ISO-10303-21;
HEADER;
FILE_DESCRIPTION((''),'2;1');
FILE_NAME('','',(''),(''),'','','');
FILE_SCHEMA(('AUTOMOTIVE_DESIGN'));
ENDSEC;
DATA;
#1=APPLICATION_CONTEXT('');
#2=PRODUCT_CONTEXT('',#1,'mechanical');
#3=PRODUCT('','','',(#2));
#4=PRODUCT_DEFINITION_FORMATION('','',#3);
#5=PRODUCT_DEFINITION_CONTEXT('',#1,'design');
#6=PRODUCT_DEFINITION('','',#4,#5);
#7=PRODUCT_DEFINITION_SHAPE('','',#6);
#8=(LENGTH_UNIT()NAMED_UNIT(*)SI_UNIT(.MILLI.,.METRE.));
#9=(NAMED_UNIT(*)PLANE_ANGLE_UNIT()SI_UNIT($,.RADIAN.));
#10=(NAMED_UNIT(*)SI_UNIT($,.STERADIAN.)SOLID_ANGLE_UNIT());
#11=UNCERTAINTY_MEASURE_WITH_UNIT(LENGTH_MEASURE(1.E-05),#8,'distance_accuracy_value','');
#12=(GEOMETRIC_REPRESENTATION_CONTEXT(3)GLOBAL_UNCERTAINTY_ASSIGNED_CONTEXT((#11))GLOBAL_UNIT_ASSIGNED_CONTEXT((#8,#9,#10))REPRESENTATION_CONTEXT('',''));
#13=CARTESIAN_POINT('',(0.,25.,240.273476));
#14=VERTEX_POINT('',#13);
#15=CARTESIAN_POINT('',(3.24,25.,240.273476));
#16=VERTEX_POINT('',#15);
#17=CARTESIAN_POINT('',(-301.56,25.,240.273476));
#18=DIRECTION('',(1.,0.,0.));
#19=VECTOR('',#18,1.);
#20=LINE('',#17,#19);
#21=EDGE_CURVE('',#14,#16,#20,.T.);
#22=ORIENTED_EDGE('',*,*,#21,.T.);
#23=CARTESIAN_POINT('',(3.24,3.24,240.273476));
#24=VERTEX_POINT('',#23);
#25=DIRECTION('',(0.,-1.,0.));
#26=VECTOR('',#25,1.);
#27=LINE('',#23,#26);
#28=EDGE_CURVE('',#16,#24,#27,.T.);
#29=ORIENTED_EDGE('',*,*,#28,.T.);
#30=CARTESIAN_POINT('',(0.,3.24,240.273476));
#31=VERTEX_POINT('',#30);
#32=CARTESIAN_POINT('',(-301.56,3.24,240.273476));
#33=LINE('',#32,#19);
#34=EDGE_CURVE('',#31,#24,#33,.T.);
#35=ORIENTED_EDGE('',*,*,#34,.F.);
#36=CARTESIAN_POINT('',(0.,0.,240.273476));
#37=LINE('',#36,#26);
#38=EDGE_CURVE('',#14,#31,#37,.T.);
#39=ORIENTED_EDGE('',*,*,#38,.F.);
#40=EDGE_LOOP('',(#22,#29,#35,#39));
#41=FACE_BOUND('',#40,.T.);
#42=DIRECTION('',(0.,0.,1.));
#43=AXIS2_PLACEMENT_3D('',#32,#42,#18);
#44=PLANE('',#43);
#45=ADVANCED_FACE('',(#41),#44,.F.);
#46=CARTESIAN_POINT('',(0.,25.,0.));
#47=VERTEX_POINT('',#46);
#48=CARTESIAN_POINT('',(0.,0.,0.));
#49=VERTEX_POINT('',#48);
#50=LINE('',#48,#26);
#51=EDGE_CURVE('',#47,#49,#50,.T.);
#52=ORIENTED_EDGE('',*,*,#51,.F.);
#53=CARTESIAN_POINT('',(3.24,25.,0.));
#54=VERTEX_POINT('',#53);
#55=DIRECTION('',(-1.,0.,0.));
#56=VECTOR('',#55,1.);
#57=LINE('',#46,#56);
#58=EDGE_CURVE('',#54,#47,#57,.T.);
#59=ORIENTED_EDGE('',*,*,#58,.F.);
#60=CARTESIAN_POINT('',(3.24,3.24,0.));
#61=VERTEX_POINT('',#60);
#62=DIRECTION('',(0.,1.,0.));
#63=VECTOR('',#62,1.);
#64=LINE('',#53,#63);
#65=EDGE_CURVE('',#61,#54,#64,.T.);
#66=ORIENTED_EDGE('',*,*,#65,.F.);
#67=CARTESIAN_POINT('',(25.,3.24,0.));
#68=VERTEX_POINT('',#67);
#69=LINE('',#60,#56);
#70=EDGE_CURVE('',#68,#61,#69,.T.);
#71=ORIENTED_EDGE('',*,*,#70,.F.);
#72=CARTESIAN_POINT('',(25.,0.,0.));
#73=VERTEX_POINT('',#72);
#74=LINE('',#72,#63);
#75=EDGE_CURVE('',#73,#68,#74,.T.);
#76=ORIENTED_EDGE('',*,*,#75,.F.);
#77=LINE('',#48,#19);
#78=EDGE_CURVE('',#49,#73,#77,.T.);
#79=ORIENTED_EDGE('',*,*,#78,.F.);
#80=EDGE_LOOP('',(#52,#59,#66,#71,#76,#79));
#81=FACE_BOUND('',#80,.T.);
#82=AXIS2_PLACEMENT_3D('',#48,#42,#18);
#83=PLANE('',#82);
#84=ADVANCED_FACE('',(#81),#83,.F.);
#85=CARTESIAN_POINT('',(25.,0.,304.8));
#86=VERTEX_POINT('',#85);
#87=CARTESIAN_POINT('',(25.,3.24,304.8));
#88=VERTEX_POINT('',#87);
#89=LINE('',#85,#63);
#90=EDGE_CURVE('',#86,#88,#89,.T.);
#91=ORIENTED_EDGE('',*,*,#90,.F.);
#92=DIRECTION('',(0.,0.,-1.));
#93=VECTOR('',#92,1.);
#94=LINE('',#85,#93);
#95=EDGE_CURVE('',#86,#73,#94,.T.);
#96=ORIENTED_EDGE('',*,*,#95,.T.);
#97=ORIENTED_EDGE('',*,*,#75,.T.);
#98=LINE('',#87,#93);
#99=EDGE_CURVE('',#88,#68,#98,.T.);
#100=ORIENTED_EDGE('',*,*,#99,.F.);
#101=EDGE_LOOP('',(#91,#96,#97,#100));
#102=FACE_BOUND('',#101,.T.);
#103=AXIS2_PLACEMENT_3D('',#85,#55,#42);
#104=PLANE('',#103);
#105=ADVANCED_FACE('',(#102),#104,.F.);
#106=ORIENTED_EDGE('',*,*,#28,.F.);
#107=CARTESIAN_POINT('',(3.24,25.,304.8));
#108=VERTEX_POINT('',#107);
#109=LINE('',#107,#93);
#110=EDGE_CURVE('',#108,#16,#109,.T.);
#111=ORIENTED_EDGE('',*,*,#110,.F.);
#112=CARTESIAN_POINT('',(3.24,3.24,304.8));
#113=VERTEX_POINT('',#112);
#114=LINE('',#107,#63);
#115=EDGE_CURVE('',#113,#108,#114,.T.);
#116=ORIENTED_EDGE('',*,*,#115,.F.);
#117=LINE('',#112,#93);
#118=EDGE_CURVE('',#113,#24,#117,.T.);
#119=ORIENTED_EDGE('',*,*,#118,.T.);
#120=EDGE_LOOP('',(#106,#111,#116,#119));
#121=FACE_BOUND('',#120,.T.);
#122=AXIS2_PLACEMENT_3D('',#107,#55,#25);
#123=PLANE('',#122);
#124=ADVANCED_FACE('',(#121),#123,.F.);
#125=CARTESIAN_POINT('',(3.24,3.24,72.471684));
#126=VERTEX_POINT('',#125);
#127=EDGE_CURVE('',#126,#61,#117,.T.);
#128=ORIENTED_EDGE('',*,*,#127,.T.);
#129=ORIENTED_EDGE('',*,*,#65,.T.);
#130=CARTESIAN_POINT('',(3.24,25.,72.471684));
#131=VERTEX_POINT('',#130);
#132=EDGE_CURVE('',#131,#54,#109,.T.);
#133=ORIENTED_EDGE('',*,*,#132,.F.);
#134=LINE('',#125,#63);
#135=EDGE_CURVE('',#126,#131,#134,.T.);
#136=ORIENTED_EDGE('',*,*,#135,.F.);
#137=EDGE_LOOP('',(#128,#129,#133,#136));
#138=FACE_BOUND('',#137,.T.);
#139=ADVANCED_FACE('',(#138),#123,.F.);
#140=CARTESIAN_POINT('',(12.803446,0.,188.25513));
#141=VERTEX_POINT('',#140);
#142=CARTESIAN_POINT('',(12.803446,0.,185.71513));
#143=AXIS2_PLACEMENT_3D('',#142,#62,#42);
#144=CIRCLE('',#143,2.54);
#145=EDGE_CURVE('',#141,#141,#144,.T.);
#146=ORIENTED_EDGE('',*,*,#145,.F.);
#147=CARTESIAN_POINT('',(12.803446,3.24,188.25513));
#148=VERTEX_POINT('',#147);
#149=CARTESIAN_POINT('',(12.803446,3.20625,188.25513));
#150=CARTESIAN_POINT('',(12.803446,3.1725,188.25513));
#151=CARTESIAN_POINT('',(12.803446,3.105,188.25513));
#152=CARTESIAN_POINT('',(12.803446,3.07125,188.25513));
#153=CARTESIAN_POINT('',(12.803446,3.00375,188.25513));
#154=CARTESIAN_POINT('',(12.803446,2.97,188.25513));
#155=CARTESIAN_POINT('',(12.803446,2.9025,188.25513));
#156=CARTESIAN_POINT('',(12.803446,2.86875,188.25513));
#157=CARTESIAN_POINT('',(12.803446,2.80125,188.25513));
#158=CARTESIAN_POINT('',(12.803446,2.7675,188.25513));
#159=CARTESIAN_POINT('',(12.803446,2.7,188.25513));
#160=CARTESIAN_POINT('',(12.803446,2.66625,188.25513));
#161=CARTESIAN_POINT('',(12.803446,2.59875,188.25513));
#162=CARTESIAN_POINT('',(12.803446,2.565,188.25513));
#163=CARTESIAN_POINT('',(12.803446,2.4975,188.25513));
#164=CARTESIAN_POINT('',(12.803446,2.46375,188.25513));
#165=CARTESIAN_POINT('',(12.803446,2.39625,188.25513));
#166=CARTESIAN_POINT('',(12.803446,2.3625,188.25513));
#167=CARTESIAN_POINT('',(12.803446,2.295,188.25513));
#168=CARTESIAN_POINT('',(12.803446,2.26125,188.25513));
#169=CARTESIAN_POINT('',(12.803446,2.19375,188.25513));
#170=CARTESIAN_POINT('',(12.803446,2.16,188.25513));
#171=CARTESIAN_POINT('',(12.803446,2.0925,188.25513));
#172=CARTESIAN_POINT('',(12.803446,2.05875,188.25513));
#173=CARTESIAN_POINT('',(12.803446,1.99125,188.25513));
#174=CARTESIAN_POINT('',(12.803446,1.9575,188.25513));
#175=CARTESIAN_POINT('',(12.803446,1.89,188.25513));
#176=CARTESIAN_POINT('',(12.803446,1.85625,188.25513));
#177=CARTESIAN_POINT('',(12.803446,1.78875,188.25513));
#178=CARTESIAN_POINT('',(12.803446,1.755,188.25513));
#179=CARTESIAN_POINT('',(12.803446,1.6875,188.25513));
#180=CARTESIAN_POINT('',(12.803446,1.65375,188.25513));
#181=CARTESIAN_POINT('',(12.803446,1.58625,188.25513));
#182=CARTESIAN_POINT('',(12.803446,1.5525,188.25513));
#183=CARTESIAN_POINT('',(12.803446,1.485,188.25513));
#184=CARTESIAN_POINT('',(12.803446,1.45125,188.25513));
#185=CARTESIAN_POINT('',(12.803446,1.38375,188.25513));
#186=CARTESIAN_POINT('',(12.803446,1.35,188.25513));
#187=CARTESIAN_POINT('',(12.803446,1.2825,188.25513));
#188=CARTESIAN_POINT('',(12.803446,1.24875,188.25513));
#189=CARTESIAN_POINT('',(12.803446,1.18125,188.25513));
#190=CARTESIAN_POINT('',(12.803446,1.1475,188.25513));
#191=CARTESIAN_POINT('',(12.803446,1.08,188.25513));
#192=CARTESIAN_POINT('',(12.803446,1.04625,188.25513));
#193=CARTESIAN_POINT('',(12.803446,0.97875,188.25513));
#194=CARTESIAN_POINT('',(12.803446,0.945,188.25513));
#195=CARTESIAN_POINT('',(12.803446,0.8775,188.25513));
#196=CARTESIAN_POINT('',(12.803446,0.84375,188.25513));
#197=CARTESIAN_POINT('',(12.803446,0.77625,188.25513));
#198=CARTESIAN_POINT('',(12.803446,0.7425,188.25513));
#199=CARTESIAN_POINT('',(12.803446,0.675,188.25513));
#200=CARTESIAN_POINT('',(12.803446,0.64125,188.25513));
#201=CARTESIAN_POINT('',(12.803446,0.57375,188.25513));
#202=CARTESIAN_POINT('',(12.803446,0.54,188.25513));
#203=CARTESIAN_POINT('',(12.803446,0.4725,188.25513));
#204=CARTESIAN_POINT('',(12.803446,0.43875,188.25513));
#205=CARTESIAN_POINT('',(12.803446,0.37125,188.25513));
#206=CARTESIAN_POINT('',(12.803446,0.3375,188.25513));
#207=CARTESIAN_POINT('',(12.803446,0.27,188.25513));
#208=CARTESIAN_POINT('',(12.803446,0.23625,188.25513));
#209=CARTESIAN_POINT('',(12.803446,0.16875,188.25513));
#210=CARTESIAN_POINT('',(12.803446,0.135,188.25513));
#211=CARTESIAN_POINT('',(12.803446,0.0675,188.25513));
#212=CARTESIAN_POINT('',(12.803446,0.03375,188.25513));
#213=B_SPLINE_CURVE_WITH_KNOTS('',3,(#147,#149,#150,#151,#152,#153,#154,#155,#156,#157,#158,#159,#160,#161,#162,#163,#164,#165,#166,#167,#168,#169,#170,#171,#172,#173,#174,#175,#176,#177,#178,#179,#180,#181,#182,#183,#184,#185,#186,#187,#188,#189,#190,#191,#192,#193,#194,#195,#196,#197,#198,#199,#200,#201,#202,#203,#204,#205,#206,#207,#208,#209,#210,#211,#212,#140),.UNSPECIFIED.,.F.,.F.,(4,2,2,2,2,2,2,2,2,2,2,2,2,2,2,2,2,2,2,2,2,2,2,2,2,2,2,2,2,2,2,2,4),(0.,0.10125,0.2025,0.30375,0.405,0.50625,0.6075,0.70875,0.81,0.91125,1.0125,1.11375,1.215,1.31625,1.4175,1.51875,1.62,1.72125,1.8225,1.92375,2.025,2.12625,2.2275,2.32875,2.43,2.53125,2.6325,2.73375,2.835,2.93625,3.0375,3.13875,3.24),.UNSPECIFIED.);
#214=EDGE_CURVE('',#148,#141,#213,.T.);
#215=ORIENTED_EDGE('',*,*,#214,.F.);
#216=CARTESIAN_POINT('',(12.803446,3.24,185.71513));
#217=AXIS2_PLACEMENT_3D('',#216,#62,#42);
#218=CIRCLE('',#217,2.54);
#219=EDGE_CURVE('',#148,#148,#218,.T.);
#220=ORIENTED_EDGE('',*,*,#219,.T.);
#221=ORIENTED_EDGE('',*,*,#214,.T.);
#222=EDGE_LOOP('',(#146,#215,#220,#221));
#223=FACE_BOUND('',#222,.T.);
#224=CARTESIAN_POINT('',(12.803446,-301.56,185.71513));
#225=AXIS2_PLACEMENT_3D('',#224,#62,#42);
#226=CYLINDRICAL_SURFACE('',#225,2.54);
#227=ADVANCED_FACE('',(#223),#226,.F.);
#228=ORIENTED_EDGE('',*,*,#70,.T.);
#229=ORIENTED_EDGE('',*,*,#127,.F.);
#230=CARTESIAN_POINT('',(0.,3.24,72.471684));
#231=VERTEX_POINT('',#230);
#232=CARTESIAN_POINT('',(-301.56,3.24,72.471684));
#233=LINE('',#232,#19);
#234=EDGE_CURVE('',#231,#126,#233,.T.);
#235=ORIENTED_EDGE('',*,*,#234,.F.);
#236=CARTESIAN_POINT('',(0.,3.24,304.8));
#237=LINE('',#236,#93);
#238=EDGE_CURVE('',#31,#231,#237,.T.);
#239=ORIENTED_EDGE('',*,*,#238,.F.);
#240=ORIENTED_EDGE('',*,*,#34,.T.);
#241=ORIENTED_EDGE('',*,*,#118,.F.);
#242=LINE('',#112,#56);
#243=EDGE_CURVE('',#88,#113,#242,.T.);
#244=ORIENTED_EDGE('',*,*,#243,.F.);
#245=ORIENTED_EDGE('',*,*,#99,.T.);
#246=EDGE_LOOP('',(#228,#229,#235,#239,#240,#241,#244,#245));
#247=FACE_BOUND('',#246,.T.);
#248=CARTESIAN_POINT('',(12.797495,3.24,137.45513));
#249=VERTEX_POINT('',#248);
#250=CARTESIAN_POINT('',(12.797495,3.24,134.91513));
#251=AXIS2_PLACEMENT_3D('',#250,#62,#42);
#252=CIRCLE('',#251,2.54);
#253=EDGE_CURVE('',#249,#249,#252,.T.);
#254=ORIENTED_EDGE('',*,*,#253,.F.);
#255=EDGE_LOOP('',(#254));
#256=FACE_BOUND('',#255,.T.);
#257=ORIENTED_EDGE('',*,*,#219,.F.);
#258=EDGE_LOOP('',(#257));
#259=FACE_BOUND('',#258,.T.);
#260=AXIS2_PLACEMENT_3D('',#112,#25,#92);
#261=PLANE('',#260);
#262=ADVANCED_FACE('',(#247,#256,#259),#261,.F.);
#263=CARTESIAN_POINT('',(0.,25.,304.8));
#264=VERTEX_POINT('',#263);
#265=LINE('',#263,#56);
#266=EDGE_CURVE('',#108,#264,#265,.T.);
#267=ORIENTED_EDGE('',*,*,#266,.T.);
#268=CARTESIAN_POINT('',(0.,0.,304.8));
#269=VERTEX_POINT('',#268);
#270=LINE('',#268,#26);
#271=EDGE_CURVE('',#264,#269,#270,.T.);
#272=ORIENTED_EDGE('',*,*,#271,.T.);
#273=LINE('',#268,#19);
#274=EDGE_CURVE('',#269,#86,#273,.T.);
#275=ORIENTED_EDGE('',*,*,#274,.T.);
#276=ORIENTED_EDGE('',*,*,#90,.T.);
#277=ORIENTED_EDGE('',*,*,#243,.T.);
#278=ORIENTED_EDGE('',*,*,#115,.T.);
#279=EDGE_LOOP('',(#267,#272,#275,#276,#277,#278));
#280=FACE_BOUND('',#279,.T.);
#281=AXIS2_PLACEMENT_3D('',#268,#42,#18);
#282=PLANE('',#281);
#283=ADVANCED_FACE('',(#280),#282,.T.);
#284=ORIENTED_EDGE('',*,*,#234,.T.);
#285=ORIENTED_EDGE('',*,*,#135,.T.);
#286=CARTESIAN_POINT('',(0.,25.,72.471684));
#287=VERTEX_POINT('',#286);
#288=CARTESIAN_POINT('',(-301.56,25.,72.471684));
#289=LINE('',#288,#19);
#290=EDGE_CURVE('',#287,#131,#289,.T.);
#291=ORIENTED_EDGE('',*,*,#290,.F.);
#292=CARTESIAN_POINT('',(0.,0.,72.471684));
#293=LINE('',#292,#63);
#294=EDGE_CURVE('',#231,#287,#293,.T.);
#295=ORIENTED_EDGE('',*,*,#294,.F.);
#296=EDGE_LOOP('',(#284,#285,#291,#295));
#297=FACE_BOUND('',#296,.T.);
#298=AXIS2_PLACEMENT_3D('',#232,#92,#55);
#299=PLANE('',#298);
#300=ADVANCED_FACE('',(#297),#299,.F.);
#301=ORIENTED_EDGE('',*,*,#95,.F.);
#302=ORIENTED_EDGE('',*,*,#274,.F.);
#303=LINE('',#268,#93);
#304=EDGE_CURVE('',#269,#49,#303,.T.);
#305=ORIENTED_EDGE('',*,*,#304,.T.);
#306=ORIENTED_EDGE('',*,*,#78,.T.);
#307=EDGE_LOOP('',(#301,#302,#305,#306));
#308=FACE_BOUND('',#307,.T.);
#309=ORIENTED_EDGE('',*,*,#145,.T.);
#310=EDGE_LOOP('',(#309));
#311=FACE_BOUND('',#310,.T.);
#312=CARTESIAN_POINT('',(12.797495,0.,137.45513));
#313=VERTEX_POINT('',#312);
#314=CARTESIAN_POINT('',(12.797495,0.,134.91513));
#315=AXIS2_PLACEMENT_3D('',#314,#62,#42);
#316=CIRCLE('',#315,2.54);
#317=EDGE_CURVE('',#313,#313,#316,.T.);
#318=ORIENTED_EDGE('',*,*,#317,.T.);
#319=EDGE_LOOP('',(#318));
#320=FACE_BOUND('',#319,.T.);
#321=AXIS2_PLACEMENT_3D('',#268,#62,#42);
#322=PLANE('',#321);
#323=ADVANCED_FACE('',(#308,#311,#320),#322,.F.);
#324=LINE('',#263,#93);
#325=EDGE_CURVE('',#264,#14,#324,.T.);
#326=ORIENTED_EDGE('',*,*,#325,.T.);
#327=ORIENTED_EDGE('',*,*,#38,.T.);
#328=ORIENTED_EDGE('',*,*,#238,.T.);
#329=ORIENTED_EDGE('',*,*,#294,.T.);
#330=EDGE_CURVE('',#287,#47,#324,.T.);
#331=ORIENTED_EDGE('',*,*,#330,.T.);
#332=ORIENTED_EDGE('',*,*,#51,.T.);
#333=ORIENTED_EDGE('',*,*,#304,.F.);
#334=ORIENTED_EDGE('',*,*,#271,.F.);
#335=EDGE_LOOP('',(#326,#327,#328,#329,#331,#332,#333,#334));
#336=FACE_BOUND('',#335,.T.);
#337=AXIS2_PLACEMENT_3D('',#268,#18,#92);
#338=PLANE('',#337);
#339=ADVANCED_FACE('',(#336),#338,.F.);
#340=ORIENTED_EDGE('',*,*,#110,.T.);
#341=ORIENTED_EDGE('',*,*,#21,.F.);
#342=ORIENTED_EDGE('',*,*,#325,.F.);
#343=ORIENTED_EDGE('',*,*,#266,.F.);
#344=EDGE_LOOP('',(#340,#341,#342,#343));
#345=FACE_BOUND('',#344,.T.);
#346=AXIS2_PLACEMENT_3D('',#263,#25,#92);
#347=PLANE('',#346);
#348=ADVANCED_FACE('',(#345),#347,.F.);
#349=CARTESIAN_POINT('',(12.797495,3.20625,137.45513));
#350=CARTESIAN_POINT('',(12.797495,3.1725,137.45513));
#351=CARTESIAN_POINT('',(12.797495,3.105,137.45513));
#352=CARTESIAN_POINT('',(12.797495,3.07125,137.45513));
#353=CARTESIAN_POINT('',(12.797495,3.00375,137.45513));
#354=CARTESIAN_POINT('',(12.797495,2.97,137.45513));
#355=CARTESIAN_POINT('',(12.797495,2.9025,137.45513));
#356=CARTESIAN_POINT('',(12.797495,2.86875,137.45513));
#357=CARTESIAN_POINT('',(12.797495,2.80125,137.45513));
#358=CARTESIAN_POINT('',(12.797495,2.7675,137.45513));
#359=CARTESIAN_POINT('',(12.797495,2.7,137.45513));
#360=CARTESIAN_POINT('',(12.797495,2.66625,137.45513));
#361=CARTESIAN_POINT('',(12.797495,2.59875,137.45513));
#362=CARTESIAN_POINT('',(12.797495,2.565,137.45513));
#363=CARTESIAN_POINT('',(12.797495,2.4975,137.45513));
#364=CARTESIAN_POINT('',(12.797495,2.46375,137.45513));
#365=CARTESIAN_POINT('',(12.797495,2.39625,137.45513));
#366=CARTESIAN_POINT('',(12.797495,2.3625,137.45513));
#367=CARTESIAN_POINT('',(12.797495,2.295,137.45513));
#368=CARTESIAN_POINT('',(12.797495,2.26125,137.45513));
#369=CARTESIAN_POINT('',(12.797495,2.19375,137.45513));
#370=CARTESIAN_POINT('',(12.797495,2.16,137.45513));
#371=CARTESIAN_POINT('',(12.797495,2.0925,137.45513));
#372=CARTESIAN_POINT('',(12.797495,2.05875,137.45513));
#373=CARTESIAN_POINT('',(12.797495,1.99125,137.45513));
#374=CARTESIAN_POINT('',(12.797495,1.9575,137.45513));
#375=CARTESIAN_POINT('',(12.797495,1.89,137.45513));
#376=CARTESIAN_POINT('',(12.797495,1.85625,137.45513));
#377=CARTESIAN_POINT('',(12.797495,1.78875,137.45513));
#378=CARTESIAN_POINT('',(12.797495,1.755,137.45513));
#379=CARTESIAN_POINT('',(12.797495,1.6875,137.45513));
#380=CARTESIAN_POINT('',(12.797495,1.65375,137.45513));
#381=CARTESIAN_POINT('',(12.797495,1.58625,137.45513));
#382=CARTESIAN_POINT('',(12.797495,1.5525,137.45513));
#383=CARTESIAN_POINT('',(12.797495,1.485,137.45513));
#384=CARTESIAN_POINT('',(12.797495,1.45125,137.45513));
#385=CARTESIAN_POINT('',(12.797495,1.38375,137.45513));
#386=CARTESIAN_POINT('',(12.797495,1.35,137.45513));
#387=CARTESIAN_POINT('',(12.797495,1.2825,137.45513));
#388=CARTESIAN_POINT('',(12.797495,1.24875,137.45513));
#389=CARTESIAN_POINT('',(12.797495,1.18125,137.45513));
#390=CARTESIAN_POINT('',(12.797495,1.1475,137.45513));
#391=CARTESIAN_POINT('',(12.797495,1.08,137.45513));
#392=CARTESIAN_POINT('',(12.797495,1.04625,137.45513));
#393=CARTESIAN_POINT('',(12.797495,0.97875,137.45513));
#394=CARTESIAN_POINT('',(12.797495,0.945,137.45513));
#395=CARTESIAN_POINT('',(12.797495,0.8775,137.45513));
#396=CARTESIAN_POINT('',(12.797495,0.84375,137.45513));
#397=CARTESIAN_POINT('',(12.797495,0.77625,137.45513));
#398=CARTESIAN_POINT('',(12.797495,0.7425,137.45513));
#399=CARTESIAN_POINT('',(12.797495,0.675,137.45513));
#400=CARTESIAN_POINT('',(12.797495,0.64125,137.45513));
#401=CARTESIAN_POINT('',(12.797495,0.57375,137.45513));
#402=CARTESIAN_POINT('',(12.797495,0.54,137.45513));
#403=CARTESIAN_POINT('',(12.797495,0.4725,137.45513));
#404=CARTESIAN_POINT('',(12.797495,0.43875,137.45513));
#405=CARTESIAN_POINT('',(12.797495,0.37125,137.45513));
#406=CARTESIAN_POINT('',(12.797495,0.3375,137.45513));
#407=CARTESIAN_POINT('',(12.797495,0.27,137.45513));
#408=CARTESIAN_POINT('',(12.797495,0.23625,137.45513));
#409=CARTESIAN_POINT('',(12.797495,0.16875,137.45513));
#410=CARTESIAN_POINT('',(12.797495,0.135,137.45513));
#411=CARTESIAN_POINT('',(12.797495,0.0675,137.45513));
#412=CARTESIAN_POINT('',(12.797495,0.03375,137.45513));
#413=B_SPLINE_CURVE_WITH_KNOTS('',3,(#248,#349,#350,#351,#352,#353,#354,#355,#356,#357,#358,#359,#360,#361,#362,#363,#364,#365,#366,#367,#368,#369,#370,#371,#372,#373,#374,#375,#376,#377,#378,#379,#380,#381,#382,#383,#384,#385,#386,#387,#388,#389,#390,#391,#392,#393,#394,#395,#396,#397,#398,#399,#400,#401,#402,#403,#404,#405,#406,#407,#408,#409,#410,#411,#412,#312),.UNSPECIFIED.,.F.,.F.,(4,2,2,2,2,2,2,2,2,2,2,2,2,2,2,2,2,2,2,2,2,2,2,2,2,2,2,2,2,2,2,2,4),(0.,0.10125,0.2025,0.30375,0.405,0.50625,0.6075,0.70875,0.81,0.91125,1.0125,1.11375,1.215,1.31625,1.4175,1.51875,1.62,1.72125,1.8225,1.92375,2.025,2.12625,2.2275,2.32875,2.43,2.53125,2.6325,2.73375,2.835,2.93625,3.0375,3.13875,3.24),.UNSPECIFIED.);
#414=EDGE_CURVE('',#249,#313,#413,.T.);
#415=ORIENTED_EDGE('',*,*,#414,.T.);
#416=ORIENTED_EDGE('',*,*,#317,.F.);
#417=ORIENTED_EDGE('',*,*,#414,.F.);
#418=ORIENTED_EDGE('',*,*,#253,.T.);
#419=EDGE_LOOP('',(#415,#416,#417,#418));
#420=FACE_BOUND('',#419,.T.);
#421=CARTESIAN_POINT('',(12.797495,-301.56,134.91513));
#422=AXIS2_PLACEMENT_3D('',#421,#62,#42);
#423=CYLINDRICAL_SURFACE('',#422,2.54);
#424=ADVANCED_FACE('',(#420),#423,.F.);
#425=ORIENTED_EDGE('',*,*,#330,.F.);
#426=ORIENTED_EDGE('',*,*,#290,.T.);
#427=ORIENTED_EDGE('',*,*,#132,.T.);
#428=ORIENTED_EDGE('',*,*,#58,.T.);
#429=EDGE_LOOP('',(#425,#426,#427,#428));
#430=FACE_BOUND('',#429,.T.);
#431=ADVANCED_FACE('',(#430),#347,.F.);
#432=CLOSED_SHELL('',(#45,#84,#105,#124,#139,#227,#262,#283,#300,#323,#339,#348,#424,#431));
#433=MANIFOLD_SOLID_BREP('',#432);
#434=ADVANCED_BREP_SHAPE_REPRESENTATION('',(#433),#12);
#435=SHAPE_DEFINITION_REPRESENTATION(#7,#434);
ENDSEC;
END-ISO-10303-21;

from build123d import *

# Parameters (mm, degrees)
EXTRUDE_1_DEPTH     = 304.8
SKETCH_2_W          = 167.801792078
SKETCH_2_H          = 21.76
CUT_EXTRUDE_1_DEPTH = 304.8
SKETCH_4_R          = 2.54
CUT_EXTRUDE_2_DEPTH = 304.8


with BuildPart() as part:
    # 草图1 → 凸台-拉伸1 (new body)
    with BuildSketch(Plane.XY):
        Polygon((0, 0), (0, 25), (3.24, 25), (3.24, 3.24), (25, 3.24), (25, 0), align=None)
    extrude(amount=EXTRUDE_1_DEPTH)

    # 草图2 → 切除-拉伸1 (cut)
    with BuildSketch(Plane(origin=(3.24, 0, 0), x_dir=(0, 0, -1), z_dir=(1, 0, 0))):
        with Locations((-156.372580305, 14.12)):
            Rectangle(SKETCH_2_W, SKETCH_2_H)
    extrude(amount=-CUT_EXTRUDE_1_DEPTH, mode=Mode.SUBTRACT)

    # 草图4 → 切除-拉伸2 (cut)
    with BuildSketch(Plane(origin=(0, 3.24, 0), x_dir=(1, 0, 0), z_dir=(0, 1, 0))):
        with Locations(Location((12.797495231, -134.915130156, 0), (0, 0, 270))):
            Circle(SKETCH_4_R)
        with Locations(Location((12.803446161, -185.715129807, 0), (0, 0, 270))):
            Circle(SKETCH_4_R)
    extrude(amount=-CUT_EXTRUDE_2_DEPTH, mode=Mode.SUBTRACT)


solid = part.part
